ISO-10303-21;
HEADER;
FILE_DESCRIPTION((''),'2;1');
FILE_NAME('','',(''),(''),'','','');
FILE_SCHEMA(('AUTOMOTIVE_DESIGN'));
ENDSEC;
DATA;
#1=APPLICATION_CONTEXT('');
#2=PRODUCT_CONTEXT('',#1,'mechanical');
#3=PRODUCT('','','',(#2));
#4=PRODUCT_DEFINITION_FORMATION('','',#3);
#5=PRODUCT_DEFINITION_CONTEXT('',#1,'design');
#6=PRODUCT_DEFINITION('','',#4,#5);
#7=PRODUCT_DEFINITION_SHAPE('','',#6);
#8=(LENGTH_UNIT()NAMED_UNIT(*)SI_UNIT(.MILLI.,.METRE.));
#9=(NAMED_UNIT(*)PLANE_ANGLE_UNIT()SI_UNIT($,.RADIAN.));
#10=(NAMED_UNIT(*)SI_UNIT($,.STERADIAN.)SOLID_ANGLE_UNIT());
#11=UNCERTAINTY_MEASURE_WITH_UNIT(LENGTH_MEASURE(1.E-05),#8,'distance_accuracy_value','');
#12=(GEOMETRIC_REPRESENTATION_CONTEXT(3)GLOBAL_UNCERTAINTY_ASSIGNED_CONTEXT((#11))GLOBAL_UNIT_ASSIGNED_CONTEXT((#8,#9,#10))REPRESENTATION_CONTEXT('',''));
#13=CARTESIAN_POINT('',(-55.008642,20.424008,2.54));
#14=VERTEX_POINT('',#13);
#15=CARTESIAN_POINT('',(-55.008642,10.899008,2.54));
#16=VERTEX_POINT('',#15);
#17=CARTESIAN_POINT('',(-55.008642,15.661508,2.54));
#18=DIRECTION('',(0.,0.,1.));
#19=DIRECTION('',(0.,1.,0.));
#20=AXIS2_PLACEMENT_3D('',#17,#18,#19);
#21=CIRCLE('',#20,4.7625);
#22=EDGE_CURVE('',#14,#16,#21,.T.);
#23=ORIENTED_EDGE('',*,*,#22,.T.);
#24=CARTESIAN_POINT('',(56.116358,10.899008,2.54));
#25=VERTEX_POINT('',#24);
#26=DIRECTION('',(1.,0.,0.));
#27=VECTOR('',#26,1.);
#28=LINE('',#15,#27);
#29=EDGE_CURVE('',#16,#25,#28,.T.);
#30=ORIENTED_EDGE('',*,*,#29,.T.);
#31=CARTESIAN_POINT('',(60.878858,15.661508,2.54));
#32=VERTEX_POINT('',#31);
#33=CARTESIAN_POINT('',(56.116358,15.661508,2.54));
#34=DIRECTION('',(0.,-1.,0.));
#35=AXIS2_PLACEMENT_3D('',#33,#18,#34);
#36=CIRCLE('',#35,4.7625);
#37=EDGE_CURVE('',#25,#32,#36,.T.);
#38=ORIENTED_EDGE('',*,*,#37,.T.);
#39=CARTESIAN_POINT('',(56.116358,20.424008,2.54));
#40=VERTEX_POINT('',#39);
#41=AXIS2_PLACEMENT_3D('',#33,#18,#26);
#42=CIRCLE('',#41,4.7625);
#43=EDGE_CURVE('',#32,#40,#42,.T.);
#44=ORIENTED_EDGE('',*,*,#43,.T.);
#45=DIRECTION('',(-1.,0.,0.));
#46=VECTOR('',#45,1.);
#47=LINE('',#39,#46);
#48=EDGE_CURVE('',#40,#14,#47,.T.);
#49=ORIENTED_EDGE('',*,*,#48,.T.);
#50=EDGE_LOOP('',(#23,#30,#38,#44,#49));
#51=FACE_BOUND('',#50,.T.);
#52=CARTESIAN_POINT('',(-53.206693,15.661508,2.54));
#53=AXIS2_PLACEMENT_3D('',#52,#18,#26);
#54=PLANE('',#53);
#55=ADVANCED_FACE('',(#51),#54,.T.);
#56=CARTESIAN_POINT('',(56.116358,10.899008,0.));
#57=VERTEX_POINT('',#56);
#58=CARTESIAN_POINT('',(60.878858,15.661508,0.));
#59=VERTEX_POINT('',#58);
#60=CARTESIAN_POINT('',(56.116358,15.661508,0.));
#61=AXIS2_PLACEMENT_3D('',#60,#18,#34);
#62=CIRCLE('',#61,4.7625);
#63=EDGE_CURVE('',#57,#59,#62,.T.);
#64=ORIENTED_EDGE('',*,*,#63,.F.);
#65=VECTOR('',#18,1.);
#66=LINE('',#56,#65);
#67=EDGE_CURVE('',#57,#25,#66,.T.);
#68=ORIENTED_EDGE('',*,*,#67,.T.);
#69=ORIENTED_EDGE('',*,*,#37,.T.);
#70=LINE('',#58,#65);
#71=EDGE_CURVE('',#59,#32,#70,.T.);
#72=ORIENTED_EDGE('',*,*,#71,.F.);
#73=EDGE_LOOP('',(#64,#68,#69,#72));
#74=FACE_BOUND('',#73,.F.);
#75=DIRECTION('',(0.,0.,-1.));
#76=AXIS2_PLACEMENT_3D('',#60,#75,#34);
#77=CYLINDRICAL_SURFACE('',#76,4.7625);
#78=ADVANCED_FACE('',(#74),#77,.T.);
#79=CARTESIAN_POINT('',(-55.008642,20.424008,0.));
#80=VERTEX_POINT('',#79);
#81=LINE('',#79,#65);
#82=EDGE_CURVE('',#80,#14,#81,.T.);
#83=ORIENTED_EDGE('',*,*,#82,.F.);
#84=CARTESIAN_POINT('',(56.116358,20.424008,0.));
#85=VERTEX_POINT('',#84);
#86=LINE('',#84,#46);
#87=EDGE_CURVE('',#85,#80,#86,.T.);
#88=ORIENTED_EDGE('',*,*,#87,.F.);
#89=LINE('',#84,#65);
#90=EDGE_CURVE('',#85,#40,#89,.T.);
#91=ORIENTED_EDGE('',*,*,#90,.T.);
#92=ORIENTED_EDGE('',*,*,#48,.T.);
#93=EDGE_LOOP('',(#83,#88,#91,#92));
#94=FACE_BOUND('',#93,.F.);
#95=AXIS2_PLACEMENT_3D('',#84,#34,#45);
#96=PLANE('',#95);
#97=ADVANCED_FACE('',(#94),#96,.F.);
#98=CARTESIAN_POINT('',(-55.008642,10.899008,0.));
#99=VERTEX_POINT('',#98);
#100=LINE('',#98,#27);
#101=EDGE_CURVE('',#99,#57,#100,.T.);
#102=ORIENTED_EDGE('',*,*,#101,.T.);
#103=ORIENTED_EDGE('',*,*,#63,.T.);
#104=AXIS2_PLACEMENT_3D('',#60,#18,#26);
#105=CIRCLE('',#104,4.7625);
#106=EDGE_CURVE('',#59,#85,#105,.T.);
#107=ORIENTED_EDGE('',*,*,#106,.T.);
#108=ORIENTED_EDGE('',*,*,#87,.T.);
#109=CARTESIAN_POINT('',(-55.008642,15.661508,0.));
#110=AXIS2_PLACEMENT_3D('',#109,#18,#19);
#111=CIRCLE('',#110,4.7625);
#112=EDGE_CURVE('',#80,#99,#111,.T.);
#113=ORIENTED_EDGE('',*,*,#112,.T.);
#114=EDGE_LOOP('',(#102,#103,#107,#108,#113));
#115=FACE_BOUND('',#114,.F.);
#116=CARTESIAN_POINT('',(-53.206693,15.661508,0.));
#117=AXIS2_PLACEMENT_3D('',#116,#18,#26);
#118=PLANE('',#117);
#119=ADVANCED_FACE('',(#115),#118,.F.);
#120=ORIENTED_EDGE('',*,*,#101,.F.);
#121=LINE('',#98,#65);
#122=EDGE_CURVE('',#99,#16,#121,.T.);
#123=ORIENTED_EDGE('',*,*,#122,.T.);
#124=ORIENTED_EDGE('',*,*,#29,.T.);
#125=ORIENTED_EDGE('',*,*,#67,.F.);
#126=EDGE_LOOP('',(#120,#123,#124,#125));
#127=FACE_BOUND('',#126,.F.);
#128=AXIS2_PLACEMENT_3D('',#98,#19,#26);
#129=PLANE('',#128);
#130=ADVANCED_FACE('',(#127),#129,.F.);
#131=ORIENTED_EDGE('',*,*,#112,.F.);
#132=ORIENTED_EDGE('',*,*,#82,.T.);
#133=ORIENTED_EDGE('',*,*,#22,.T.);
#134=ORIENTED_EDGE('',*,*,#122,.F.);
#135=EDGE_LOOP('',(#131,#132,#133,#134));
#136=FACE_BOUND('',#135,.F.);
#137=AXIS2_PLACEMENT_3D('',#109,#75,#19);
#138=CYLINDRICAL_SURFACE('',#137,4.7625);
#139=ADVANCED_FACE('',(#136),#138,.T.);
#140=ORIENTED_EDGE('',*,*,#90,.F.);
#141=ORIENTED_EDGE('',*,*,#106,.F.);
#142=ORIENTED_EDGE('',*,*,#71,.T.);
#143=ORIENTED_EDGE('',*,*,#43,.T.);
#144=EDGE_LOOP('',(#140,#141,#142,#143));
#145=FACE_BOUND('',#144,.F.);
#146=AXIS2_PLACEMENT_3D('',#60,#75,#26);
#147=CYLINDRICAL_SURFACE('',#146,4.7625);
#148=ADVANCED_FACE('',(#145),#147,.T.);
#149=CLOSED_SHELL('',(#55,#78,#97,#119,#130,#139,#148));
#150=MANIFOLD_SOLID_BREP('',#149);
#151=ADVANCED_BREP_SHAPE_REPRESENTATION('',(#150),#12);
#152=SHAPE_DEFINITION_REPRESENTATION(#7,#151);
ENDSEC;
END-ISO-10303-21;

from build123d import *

# Parameters (mm, degrees)
F1_DEPTH = 2.54


with BuildPart() as f1:
    # F0 (on Top) → F1 (new body)
    with BuildSketch(Plane.XY):
        with BuildLine():
            ThreePointArc((-55.0086423755, 10.8990078449), (-51.6410463301, 12.2939117995), (-50.2461423755, 15.6615078449))
            ThreePointArc((-50.2461423755, 15.6615078449), (-51.6410463301, 19.0291038903), (-55.0086423755, 20.4240078449))
            Line((-55.0086423755, 20.4240078449), (-55.0086423755, 15.6615078449))
            Line((-55.0086423755, 15.6615078449), (-55.0086423755, 10.8990078449))
        make_face()
        with BuildLine():
            ThreePointArc((-55.0086423755, 20.4240078449), (-51.6410463301, 19.0291038903), (-50.2461423755, 15.6615078449))
            ThreePointArc((-50.2461423755, 15.6615078449), (-51.6410463301, 12.2939117995), (-55.0086423755, 10.8990078449))
            Line((-55.0086423755, 10.8990078449), (56.1163576245, 10.8990078449))
            ThreePointArc((56.1163576245, 10.8990078449), (51.3538576245, 15.6615078449), (56.1163576245, 20.4240078449))
            Line((56.1163576245, 20.4240078449), (-55.0086423755, 20.4240078449))
        make_face()
        with BuildLine():
            Line((-55.0086423755, 15.6615078449), (-55.0086423755, 20.4240078449))
            ThreePointArc((-55.0086423755, 20.4240078449), (-59.7711423755, 15.6615078449), (-55.0086423755, 10.8990078449))
            Line((-55.0086423755, 10.8990078449), (-55.0086423755, 15.6615078449))
        make_face()
        with BuildLine():
            ThreePointArc((60.8788576245, 15.6615078449), (59.4839536699, 19.0291038903), (56.1163576245, 20.4240078449))
            Line((56.1163576245, 20.4240078449), (56.1163576245, 15.6615078449))
            Line((56.1163576245, 15.6615078449), (56.1163576245, 10.8990078449))
            ThreePointArc((56.1163576245, 10.8990078449), (59.4839536699, 12.2939117995), (60.8788576245, 15.6615078449))
        make_face()
        with BuildLine():
            Line((56.1163576245, 15.6615078449), (56.1163576245, 20.4240078449))
            ThreePointArc((56.1163576245, 20.4240078449), (51.3538576245, 15.6615078449), (56.1163576245, 10.8990078449))
            Line((56.1163576245, 10.8990078449), (56.1163576245, 15.6615078449))
        make_face()
    extrude(amount=F1_DEPTH)


solid = f1.part
